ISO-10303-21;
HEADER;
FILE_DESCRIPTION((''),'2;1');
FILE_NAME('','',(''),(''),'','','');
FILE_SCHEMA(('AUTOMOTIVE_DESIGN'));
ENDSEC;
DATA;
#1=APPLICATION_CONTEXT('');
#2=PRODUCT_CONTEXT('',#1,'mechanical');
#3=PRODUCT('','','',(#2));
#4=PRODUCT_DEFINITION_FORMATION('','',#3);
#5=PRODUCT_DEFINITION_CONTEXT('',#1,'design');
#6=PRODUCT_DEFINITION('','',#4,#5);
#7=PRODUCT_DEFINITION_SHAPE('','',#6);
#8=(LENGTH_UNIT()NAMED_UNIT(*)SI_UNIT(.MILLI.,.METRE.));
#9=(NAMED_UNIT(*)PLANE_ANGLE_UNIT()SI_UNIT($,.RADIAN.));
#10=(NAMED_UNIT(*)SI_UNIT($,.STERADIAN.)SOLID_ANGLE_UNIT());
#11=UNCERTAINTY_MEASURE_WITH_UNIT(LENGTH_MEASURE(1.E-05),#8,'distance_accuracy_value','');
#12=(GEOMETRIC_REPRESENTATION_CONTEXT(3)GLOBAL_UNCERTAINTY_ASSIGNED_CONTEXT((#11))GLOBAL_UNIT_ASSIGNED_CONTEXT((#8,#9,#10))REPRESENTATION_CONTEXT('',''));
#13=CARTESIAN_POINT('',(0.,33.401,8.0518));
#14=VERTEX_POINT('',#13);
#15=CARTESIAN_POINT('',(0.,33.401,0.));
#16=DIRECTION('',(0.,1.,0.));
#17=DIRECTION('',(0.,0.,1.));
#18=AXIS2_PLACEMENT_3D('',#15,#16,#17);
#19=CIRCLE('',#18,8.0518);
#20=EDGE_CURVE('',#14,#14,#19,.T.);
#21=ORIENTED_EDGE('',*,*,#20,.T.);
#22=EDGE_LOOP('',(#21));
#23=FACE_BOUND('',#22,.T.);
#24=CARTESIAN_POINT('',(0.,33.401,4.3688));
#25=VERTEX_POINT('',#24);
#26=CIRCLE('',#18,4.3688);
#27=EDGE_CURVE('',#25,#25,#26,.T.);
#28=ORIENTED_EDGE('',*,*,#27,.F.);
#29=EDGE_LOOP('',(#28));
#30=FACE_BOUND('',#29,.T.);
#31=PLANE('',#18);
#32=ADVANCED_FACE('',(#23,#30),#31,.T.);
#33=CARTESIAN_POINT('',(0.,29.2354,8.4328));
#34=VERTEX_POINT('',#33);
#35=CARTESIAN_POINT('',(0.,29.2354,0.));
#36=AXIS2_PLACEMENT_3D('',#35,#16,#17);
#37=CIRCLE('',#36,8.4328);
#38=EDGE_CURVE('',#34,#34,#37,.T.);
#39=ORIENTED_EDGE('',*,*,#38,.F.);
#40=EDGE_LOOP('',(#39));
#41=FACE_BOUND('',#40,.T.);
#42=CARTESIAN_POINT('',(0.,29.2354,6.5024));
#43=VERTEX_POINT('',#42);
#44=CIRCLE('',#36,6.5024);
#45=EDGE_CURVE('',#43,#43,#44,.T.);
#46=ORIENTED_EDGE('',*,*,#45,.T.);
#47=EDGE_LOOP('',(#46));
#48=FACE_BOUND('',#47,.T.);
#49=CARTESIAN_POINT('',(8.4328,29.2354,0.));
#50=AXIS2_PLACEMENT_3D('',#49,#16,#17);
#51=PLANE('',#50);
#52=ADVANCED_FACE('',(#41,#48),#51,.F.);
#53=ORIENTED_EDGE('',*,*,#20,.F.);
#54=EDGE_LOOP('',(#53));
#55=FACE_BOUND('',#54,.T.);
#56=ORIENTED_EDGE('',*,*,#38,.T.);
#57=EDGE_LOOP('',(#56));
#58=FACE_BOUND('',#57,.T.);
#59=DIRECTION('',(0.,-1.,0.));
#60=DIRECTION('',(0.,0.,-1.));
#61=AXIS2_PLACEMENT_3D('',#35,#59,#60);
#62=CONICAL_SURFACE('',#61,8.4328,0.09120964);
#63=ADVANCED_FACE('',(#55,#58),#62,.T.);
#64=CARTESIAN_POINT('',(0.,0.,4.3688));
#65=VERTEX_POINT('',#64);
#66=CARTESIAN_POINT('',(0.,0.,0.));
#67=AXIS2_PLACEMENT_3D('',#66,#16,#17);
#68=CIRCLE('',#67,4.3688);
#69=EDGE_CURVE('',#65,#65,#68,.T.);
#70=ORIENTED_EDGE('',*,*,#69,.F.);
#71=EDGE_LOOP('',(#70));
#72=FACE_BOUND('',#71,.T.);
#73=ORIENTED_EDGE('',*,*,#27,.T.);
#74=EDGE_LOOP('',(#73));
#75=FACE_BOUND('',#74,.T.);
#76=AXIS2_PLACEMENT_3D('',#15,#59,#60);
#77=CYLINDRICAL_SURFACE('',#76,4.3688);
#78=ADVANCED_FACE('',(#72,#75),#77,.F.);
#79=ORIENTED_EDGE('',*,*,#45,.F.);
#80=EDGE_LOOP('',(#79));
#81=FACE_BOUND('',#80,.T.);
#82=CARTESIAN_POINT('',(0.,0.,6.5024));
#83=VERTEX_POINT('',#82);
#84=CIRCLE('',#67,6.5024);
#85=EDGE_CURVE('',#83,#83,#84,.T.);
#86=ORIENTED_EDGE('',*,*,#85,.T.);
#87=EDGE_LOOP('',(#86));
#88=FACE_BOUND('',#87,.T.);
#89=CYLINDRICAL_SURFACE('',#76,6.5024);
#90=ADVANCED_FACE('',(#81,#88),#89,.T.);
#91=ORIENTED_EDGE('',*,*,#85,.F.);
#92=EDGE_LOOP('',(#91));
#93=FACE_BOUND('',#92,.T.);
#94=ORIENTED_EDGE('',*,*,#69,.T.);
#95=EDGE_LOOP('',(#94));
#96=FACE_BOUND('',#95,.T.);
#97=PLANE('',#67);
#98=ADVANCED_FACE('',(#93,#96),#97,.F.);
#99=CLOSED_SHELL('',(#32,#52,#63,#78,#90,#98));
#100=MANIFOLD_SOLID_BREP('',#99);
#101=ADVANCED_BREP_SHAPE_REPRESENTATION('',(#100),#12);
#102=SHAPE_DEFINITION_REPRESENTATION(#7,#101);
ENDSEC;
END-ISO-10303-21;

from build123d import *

# Parameters (mm, degrees)
SKETCH1_R           = 6.5024
BOSS_EXTRUDE1_DEPTH = 33.401
SKETCH2_R           = 4.3688
CUT_EXTRUDE1_DEPTH  = 33.401


with BuildPart() as part:
    # Sketch1 → Boss-Extrude1 (new body)
    with BuildSketch(Plane(origin=(0, 0, 0), x_dir=(1, 0, 0), z_dir=(0, 1, 0))):
        with Locations(Location((0, 0, 0), (0, 0, 270))):
            Circle(SKETCH1_R)
    extrude(amount=BOSS_EXTRUDE1_DEPTH)

    # Sketch2 → Cut-Extrude1 (cut)
    with BuildSketch(Plane(origin=(0, 0, 0), x_dir=(1, 0, 0), z_dir=(0, 1, 0))):
        with Locations(Location((0, 0, 0), (0, 0, 270))):
            Circle(SKETCH2_R)
    extrude(amount=CUT_EXTRUDE1_DEPTH, mode=Mode.SUBTRACT)

    # Sketch3 → Revolve2 (revolve)
    with BuildSketch(Plane.XY, mode=Mode.PRIVATE) as revolve2_sk:
        Polygon((6.5024, 33.401), (8.0518, 33.401), (8.4328, 29.2354), (6.5024, 29.2354), align=None)
    revolve(revolve2_sk.sketch.rotate(Axis((0, 33.401, 0), (0, -1, 0)), 90), axis=Axis((0, 33.401, 0), (0, -1, 0)))


solid = part.part
